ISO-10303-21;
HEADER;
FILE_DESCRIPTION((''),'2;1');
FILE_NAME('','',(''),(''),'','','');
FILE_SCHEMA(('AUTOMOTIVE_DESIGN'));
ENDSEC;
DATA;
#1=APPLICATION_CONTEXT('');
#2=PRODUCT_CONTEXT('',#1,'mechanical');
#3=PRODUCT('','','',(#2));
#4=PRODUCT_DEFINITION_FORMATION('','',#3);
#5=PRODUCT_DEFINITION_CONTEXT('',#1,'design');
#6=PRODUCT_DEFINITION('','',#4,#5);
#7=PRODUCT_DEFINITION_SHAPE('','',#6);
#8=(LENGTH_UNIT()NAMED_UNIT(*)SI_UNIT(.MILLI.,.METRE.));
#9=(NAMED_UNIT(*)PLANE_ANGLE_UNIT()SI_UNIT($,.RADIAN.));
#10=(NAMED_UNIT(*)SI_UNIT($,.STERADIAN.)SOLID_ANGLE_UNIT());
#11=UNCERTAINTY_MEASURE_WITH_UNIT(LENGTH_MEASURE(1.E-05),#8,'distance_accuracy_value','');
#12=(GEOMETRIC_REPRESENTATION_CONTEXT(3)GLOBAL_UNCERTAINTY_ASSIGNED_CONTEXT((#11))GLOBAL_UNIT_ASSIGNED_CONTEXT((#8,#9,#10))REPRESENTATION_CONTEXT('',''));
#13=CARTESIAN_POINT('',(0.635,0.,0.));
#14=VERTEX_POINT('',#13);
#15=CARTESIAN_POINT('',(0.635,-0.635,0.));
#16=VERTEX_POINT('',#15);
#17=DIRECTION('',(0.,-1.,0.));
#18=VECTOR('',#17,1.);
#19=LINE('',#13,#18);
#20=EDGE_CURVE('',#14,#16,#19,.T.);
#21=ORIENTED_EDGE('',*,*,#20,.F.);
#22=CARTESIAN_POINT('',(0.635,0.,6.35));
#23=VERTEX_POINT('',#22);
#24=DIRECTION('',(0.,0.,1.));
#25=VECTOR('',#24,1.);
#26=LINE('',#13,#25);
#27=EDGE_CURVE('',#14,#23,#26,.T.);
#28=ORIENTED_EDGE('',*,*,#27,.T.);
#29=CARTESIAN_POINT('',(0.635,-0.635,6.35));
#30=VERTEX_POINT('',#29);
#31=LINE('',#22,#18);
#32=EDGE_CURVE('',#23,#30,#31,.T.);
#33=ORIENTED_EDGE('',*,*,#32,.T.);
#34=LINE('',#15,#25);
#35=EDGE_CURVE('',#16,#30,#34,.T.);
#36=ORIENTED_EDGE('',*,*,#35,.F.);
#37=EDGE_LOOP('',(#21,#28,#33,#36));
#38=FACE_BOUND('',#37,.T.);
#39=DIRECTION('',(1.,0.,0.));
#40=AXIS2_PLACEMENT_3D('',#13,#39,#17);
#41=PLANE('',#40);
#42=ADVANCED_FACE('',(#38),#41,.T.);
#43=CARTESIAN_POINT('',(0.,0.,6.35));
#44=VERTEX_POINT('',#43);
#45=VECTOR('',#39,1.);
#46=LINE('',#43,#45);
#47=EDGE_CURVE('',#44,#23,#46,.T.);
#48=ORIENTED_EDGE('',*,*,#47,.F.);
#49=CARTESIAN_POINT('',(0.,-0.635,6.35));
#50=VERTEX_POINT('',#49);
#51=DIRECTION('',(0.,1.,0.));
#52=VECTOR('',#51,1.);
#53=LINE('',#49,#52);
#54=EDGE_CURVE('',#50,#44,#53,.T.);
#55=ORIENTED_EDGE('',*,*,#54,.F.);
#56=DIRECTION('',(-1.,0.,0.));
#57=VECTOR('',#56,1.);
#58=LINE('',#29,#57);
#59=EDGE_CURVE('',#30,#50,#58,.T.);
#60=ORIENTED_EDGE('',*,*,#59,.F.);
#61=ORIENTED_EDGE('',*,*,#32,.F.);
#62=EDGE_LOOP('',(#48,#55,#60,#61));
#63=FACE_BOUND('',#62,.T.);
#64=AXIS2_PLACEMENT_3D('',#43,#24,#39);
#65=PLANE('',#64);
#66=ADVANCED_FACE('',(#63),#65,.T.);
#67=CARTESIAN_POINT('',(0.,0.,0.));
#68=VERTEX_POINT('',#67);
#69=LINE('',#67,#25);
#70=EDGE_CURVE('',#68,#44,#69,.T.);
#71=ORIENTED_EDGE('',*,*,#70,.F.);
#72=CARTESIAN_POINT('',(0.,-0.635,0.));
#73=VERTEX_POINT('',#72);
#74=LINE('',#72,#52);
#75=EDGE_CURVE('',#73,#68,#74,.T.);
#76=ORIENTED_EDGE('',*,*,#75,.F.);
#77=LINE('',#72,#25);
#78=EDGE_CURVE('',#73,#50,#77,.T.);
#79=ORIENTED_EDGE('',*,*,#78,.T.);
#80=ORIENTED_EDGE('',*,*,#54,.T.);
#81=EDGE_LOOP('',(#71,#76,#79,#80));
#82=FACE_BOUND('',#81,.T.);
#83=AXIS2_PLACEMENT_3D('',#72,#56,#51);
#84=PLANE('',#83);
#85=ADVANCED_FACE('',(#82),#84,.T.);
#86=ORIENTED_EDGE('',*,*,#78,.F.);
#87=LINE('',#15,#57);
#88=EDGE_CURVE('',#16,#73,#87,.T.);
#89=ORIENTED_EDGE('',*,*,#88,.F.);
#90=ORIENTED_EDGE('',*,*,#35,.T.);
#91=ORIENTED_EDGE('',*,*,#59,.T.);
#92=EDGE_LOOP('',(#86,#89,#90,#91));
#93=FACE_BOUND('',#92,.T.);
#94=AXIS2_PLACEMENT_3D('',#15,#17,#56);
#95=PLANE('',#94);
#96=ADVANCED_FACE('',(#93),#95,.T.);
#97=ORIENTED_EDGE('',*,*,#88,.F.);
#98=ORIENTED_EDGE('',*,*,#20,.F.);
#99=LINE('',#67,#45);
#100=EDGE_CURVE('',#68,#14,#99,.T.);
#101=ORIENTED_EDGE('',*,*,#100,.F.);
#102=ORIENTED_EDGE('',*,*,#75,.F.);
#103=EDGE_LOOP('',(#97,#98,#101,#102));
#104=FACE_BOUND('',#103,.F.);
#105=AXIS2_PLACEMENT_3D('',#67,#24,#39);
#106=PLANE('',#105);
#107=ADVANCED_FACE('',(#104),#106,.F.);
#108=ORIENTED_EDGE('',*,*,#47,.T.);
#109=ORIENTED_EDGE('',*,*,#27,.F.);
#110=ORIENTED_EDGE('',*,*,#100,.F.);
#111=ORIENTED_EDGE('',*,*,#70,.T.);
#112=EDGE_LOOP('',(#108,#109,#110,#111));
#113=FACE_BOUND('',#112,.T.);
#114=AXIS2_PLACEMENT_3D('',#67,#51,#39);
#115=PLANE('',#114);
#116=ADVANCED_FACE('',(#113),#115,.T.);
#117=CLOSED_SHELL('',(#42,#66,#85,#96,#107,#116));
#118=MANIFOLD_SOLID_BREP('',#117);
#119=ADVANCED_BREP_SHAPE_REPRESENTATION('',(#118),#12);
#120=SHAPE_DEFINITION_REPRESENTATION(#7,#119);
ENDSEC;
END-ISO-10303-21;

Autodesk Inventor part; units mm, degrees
ref_plane "YZ Plane" through (0, 0, 0) normal (1, 0, 0) x (0, 1, 0)
ref_plane "XZ Plane" through (0, 0, 0) normal (0, 1, 0) x (-1, 0, 0)
ref_plane "XY Plane" through (0, 0, 0) normal (0, 0, 1) x (1, 0, 0)
sketch "Sketch1" plane through (0, 0, 0) normal (0, 0, 1) x (1, 0, 0)
  line L0 (0, 0) -> (0.635, 0)
  line L1 (0.635, 0) -> (0.635, -0.635)
  line L2 (0.635, -0.635) -> (0, -0.635)
  line L3 (0, -0.635) -> (0, 0)
  dimension "d0" = 0.635
  dimension "d1" = 0.635
extrude "Extrusion1" add sketch "Sketch1" along normal blind 6.35
properties part number "PiGPIOPin" material "Brass, Soft Yellow"
